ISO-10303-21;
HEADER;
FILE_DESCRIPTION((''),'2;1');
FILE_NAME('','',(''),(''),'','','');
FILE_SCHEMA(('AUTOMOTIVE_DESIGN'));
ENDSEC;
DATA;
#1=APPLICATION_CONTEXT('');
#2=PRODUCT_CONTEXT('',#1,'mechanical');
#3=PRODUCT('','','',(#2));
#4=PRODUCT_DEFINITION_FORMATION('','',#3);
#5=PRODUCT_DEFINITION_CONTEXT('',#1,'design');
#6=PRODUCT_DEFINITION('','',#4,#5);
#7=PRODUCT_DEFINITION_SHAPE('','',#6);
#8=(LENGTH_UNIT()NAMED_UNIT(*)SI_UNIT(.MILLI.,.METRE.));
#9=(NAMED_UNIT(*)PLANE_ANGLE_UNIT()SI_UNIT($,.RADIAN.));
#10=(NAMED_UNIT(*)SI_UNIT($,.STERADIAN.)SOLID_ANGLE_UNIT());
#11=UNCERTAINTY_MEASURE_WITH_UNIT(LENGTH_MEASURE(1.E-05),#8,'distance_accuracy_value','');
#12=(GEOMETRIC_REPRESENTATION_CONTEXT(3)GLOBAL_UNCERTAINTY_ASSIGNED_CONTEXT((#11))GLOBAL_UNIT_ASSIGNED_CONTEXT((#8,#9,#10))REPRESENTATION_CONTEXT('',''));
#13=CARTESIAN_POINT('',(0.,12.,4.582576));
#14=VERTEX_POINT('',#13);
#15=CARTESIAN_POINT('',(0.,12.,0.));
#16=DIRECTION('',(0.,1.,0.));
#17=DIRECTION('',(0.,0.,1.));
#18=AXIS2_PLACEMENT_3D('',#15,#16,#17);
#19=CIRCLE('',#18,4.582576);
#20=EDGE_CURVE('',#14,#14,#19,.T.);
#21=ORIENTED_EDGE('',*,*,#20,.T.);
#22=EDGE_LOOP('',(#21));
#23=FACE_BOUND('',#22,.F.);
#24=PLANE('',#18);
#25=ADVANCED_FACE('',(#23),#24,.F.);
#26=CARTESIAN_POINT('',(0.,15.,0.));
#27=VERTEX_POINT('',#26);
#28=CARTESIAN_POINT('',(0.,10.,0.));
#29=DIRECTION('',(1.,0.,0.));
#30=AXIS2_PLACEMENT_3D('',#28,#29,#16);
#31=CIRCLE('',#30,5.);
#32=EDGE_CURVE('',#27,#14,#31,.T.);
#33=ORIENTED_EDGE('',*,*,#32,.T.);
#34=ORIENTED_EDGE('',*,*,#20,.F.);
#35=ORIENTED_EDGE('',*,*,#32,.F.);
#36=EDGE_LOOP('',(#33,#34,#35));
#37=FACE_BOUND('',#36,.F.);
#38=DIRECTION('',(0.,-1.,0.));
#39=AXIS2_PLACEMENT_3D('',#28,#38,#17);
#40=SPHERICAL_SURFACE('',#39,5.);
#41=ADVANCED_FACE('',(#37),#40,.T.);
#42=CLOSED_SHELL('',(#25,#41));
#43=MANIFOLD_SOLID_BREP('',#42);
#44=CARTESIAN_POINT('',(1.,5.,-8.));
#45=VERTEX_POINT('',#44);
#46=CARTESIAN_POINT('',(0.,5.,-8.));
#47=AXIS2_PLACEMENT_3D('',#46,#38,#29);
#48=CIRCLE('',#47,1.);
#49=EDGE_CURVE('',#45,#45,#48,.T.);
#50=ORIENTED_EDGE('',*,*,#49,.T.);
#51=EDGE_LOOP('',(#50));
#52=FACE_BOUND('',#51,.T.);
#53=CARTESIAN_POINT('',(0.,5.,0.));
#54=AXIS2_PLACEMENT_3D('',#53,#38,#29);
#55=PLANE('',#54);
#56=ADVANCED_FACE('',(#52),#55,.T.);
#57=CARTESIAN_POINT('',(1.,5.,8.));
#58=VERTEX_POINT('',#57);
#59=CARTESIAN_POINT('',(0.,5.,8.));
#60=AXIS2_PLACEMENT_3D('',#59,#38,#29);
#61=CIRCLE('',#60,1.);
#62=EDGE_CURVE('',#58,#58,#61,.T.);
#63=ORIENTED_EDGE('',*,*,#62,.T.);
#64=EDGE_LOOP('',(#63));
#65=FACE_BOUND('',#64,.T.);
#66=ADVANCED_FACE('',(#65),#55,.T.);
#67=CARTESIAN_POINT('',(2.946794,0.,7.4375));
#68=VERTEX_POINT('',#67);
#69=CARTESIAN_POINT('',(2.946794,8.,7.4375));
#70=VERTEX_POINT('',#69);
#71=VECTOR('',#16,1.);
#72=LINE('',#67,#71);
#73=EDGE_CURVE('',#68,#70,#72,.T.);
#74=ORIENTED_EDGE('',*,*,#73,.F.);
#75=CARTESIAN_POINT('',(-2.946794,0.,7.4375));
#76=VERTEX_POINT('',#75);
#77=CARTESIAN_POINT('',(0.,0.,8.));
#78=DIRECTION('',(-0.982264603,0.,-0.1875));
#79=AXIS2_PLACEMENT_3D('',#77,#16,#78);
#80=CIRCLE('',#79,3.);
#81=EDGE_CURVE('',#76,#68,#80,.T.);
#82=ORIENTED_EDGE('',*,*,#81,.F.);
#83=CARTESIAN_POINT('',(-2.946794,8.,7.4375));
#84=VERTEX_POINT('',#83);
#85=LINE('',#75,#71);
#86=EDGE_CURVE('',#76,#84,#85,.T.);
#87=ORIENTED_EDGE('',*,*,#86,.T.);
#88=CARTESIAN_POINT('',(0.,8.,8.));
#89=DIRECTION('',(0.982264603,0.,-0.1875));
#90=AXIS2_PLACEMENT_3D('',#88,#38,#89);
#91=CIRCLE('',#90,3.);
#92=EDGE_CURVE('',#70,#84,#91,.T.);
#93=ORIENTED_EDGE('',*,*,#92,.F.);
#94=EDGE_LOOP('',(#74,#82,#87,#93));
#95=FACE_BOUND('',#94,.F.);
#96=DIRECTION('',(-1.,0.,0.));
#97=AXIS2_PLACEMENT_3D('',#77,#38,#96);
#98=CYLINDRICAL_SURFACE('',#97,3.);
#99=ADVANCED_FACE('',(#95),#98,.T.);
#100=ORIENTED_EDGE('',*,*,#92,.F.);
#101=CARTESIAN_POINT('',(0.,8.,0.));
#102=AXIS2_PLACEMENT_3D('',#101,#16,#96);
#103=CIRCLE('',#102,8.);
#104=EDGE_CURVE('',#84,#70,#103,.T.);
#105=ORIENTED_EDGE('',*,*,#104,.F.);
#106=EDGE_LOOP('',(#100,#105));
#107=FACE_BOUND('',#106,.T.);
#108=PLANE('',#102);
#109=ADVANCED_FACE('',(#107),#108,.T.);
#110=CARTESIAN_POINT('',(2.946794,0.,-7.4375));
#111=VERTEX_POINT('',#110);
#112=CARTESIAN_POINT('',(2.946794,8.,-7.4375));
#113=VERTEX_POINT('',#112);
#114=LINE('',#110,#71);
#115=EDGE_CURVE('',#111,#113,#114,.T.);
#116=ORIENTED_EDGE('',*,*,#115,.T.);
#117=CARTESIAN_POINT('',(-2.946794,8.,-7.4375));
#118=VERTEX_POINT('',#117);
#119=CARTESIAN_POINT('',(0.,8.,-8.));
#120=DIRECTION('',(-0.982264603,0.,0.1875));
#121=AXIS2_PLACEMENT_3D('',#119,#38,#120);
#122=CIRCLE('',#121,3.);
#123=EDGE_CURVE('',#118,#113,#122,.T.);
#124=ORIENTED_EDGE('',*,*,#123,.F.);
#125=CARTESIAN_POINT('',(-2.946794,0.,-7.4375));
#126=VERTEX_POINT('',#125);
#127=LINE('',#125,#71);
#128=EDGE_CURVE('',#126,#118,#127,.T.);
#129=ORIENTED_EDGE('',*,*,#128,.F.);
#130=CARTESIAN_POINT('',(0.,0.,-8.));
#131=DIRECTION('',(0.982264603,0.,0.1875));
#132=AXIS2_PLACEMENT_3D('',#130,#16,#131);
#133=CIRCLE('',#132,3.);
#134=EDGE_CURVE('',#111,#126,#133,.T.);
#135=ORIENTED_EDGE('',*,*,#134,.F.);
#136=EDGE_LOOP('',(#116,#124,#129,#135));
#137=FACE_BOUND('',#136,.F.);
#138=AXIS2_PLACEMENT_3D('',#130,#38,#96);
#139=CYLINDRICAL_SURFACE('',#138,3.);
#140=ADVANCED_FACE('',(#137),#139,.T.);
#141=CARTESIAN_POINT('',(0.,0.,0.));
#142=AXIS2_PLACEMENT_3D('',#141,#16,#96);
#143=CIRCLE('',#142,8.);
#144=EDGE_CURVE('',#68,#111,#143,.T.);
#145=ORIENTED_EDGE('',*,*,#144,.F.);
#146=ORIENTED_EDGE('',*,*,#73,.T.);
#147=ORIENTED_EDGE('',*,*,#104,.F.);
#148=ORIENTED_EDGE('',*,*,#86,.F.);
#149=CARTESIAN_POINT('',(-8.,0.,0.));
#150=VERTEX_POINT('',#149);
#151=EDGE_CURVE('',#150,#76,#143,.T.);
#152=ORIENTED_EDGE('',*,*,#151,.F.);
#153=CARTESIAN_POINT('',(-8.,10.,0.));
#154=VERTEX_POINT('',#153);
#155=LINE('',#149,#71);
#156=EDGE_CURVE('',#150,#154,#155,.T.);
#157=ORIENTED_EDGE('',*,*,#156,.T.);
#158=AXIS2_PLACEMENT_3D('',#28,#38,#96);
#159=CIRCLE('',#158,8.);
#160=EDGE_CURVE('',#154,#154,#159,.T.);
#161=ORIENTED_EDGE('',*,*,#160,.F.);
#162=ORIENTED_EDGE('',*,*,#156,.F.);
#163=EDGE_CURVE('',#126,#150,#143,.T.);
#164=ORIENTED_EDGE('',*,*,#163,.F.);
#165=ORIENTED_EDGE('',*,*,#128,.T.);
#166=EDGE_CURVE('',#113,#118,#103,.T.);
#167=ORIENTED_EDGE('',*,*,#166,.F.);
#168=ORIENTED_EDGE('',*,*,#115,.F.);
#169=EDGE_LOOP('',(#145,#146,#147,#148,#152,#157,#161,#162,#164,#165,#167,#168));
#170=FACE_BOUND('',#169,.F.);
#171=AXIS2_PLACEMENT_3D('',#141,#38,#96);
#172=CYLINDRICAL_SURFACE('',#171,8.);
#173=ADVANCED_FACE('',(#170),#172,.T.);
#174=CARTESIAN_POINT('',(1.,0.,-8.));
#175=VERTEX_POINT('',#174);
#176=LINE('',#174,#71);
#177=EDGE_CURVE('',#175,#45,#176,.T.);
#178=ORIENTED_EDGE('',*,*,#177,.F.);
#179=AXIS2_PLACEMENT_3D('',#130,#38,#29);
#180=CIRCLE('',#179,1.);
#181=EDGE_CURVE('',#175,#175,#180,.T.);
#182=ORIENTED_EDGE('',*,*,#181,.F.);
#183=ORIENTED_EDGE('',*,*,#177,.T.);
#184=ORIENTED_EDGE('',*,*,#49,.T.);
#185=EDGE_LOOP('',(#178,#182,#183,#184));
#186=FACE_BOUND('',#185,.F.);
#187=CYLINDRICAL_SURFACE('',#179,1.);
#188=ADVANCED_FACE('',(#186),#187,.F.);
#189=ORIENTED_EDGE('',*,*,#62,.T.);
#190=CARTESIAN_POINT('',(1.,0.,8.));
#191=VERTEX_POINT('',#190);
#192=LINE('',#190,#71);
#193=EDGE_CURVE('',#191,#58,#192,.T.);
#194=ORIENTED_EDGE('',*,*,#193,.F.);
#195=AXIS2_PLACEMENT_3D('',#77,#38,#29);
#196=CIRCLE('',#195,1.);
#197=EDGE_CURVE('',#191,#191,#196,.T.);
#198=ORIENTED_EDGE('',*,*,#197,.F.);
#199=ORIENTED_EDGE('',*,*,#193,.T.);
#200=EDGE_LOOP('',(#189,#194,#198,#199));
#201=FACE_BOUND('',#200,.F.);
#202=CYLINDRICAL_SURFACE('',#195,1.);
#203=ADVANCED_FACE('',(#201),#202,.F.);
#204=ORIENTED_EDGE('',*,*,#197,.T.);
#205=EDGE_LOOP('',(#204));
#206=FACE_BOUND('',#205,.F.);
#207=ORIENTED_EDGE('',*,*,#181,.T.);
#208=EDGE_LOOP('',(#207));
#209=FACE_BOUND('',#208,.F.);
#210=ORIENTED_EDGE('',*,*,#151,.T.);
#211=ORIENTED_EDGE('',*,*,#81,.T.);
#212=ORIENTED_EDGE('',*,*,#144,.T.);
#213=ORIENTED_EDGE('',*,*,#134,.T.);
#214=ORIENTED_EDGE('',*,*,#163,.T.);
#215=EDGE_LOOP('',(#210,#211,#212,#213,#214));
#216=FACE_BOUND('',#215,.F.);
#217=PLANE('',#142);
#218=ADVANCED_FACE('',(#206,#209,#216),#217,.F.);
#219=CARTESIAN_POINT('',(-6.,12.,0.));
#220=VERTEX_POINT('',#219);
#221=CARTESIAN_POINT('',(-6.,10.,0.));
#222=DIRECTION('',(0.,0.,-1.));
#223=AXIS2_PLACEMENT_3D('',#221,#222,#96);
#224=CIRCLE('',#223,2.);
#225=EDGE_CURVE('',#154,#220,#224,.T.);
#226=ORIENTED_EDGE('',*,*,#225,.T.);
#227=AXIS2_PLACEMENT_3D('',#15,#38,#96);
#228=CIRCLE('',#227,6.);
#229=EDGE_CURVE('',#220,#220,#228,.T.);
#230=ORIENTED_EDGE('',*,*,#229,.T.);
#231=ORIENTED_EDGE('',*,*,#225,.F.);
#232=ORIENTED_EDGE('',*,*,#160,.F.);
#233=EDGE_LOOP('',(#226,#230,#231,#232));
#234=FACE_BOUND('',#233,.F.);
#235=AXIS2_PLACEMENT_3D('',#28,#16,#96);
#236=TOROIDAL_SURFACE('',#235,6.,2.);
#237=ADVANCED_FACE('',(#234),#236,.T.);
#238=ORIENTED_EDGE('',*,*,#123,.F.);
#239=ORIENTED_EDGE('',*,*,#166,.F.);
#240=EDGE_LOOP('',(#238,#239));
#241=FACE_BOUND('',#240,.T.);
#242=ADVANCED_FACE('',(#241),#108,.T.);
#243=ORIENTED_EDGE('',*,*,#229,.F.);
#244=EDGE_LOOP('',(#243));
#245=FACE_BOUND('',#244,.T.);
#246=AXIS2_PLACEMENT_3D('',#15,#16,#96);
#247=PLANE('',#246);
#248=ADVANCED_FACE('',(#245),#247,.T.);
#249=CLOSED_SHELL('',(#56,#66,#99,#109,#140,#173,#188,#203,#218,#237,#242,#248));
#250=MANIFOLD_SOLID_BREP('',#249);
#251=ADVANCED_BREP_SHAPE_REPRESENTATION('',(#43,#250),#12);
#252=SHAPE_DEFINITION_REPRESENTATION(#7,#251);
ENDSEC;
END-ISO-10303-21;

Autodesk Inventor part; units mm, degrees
ref_plane "YZ Plane" through (0, 0, 0) normal (1, 0, 0) x (0, 1, 0)
ref_plane "XZ Plane" through (0, 0, 0) normal (0, 1, 0) x (-1, 0, 0)
ref_plane "XY Plane" through (0, 0, 0) normal (0, 0, 1) x (1, 0, 0)
sketch "Sketch1" plane through (0, 0, 0) normal (0, 1, 0) x (-1, 0, 0)
  circle A0 centre (0, 0) radius 8
  circle A1 centre (0, -8) radius 3
  circle A2 centre (0, 8) radius 3
  point P0 (2.9468, 7.4375)
  point P1 (-2.9468, 7.4375)
  point P2 (-2.9468, -7.4375)
  point P3 (2.9468, -7.4375)
  dimension "d0" = 16
  dimension "d1" = 6
extrude "Extrusion1" add sketch "Sketch1" along normal blind 12 contours A0 A1 A2 | A2 A0 | A0 A1 picked at (-0.9446, 7.057) picked at (0.9446, -7.057)
extrude "Extrusion2" add sketch "Sketch1" along normal blind 8 contours A0 A2 | A1 A0 picked at (-1.0397, 8.7946) picked at (-1.0397, -8.7946)
fillet "Fillet1" radius 2 1 edges at (-2.9468, 12, 7.4375)
sketch "Sketch2" plane through (0, 12, 0) normal (0, 1, 0) x (1, 0, 0)
  point P0 (0, 0)
sketch "Sketch3" plane through (0, 0, 0) normal (1, 0, 0) x (0, 1, 0)
  circle A0 centre (10, 0) radius 5
  line L0 (12, 6) -> (12, -6) projected
  line L1 (15, 0) -> (5, 0)
  line L2 (0, -7.4375) -> (0, 7.4375) projected
  line L3 (0, -10.4125) -> (0, 10.4125) projected
  line L4 (-4.7416, 0) -> (28.4498, 0) projected
  point P0 (0, 0)
  point P1 (0, 0)
  point P2 (12, 0)
  point P3 (12, -4.5826)
  point P4 (12, 4.5826)
  dimension "d13" = 10
  dimension "d14" = 3
revolve "Revolution1" add sketch "Sketch3" angle 360 about axis through (0, -10, 0) along (0, 1, 0) separate body picked at (12.3332, 2.861) contours L1 L0 A0
sketch "Sketch4" plane through (0, 0, 0) normal (0, -1, 0) x (1, 0, 0)
  arc A0 (-2.9468, -7.4375) -> (2.9468, -7.4375) centre (0, -8) ccw projected
  circle A1 centre (0, -8) radius 1
  arc A2 (2.9468, 7.4375) -> (-2.9468, 7.4375) centre (0, 8) ccw projected
  circle A3 centre (0, 8) radius 1
  point P0 (0, 0)
  dimension "d9" = 2
extrude "Extrusion3" cut sketch "Sketch4" against normal blind 5 bodies 1
properties part number "ball_caster"
